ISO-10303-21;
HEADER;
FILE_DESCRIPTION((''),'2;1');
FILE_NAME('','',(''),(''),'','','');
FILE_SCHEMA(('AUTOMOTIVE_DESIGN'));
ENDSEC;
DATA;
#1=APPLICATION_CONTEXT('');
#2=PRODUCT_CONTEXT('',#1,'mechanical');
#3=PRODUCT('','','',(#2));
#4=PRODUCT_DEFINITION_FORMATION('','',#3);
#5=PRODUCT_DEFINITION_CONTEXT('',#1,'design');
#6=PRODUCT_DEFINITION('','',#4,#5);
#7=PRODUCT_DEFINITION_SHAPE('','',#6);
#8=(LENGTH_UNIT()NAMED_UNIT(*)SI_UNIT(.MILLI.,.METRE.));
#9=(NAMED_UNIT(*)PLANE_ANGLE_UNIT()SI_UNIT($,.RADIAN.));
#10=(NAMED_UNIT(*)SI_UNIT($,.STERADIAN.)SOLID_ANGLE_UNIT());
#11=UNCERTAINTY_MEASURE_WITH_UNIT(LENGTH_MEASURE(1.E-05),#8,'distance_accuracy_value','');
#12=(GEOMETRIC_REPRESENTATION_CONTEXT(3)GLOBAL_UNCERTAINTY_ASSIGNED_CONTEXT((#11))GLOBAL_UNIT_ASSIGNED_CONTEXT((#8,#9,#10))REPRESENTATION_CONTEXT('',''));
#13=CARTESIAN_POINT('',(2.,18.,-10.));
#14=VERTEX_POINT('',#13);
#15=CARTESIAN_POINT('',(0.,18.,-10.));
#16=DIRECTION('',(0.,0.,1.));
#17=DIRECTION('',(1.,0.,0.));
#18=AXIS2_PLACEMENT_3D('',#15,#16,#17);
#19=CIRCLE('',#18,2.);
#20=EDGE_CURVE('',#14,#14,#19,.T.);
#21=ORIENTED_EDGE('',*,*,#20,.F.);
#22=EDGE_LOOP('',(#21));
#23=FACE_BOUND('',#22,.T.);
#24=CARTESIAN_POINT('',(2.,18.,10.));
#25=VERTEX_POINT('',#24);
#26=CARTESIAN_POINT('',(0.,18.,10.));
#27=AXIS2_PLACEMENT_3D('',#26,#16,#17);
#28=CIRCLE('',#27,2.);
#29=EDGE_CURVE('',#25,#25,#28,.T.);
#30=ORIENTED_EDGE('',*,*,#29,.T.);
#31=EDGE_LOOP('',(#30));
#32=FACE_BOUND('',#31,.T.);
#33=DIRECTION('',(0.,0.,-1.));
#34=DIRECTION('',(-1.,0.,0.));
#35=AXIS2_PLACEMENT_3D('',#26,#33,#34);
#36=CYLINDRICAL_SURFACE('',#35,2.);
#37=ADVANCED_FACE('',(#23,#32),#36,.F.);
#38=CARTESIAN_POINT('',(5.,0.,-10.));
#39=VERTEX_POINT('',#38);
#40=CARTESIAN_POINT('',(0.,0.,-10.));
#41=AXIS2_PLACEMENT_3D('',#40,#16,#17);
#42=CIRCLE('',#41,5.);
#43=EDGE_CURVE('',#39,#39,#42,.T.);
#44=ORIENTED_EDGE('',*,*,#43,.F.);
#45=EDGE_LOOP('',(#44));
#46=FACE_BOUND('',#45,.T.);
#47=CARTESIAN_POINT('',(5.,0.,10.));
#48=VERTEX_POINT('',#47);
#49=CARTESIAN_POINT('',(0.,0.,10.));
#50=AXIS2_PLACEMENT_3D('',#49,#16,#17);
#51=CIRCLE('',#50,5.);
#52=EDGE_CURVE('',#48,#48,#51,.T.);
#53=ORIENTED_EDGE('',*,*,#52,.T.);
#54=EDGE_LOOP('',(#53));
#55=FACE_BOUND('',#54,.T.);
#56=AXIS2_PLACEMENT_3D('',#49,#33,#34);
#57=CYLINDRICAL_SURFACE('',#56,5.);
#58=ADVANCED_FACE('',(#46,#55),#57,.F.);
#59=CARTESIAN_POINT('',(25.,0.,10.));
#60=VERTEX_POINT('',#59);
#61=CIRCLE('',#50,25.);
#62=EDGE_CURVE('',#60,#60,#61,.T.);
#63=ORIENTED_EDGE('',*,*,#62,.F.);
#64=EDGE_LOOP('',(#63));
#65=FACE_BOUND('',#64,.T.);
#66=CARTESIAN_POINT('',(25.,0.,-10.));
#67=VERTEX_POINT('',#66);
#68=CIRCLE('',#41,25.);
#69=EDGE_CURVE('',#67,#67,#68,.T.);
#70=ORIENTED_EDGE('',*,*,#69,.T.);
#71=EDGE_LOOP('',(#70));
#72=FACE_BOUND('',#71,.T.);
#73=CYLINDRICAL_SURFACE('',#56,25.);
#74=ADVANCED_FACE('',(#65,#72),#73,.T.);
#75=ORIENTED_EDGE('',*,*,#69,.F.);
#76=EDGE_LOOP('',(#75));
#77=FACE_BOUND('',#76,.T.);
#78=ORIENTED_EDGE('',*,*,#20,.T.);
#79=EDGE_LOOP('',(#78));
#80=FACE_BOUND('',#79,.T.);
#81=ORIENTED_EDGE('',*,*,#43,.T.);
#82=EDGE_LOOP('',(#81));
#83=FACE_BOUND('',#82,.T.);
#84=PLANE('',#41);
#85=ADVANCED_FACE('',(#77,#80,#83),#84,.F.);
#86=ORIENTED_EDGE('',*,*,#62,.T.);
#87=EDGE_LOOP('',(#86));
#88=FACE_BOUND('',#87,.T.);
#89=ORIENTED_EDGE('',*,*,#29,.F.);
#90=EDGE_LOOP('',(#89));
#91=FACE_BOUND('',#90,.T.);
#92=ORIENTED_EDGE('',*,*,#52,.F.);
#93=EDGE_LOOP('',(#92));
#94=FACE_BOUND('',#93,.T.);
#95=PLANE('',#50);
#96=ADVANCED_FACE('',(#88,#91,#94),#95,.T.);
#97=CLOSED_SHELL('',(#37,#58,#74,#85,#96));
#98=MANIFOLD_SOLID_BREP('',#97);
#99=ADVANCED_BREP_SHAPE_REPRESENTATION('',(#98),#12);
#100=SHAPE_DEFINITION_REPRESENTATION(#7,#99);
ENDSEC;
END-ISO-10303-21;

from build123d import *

# Parameters (mm, degrees)
SKETCH1_R           = 25
SKETCH1_R_2         = 5
SKETCH1_R_3         = 2
BOSS_EXTRUDE1_DEPTH = 10


with BuildPart() as part:
    # Sketch1 → Boss-Extrude1 (new, symmetric)
    with BuildSketch(Plane.XY):
        Circle(SKETCH1_R)
        Circle(SKETCH1_R_2, mode=Mode.SUBTRACT)
        with Locations((0, 18)):
            Circle(SKETCH1_R_3, mode=Mode.SUBTRACT)
    extrude(amount=BOSS_EXTRUDE1_DEPTH, both=True)


solid = part.part
